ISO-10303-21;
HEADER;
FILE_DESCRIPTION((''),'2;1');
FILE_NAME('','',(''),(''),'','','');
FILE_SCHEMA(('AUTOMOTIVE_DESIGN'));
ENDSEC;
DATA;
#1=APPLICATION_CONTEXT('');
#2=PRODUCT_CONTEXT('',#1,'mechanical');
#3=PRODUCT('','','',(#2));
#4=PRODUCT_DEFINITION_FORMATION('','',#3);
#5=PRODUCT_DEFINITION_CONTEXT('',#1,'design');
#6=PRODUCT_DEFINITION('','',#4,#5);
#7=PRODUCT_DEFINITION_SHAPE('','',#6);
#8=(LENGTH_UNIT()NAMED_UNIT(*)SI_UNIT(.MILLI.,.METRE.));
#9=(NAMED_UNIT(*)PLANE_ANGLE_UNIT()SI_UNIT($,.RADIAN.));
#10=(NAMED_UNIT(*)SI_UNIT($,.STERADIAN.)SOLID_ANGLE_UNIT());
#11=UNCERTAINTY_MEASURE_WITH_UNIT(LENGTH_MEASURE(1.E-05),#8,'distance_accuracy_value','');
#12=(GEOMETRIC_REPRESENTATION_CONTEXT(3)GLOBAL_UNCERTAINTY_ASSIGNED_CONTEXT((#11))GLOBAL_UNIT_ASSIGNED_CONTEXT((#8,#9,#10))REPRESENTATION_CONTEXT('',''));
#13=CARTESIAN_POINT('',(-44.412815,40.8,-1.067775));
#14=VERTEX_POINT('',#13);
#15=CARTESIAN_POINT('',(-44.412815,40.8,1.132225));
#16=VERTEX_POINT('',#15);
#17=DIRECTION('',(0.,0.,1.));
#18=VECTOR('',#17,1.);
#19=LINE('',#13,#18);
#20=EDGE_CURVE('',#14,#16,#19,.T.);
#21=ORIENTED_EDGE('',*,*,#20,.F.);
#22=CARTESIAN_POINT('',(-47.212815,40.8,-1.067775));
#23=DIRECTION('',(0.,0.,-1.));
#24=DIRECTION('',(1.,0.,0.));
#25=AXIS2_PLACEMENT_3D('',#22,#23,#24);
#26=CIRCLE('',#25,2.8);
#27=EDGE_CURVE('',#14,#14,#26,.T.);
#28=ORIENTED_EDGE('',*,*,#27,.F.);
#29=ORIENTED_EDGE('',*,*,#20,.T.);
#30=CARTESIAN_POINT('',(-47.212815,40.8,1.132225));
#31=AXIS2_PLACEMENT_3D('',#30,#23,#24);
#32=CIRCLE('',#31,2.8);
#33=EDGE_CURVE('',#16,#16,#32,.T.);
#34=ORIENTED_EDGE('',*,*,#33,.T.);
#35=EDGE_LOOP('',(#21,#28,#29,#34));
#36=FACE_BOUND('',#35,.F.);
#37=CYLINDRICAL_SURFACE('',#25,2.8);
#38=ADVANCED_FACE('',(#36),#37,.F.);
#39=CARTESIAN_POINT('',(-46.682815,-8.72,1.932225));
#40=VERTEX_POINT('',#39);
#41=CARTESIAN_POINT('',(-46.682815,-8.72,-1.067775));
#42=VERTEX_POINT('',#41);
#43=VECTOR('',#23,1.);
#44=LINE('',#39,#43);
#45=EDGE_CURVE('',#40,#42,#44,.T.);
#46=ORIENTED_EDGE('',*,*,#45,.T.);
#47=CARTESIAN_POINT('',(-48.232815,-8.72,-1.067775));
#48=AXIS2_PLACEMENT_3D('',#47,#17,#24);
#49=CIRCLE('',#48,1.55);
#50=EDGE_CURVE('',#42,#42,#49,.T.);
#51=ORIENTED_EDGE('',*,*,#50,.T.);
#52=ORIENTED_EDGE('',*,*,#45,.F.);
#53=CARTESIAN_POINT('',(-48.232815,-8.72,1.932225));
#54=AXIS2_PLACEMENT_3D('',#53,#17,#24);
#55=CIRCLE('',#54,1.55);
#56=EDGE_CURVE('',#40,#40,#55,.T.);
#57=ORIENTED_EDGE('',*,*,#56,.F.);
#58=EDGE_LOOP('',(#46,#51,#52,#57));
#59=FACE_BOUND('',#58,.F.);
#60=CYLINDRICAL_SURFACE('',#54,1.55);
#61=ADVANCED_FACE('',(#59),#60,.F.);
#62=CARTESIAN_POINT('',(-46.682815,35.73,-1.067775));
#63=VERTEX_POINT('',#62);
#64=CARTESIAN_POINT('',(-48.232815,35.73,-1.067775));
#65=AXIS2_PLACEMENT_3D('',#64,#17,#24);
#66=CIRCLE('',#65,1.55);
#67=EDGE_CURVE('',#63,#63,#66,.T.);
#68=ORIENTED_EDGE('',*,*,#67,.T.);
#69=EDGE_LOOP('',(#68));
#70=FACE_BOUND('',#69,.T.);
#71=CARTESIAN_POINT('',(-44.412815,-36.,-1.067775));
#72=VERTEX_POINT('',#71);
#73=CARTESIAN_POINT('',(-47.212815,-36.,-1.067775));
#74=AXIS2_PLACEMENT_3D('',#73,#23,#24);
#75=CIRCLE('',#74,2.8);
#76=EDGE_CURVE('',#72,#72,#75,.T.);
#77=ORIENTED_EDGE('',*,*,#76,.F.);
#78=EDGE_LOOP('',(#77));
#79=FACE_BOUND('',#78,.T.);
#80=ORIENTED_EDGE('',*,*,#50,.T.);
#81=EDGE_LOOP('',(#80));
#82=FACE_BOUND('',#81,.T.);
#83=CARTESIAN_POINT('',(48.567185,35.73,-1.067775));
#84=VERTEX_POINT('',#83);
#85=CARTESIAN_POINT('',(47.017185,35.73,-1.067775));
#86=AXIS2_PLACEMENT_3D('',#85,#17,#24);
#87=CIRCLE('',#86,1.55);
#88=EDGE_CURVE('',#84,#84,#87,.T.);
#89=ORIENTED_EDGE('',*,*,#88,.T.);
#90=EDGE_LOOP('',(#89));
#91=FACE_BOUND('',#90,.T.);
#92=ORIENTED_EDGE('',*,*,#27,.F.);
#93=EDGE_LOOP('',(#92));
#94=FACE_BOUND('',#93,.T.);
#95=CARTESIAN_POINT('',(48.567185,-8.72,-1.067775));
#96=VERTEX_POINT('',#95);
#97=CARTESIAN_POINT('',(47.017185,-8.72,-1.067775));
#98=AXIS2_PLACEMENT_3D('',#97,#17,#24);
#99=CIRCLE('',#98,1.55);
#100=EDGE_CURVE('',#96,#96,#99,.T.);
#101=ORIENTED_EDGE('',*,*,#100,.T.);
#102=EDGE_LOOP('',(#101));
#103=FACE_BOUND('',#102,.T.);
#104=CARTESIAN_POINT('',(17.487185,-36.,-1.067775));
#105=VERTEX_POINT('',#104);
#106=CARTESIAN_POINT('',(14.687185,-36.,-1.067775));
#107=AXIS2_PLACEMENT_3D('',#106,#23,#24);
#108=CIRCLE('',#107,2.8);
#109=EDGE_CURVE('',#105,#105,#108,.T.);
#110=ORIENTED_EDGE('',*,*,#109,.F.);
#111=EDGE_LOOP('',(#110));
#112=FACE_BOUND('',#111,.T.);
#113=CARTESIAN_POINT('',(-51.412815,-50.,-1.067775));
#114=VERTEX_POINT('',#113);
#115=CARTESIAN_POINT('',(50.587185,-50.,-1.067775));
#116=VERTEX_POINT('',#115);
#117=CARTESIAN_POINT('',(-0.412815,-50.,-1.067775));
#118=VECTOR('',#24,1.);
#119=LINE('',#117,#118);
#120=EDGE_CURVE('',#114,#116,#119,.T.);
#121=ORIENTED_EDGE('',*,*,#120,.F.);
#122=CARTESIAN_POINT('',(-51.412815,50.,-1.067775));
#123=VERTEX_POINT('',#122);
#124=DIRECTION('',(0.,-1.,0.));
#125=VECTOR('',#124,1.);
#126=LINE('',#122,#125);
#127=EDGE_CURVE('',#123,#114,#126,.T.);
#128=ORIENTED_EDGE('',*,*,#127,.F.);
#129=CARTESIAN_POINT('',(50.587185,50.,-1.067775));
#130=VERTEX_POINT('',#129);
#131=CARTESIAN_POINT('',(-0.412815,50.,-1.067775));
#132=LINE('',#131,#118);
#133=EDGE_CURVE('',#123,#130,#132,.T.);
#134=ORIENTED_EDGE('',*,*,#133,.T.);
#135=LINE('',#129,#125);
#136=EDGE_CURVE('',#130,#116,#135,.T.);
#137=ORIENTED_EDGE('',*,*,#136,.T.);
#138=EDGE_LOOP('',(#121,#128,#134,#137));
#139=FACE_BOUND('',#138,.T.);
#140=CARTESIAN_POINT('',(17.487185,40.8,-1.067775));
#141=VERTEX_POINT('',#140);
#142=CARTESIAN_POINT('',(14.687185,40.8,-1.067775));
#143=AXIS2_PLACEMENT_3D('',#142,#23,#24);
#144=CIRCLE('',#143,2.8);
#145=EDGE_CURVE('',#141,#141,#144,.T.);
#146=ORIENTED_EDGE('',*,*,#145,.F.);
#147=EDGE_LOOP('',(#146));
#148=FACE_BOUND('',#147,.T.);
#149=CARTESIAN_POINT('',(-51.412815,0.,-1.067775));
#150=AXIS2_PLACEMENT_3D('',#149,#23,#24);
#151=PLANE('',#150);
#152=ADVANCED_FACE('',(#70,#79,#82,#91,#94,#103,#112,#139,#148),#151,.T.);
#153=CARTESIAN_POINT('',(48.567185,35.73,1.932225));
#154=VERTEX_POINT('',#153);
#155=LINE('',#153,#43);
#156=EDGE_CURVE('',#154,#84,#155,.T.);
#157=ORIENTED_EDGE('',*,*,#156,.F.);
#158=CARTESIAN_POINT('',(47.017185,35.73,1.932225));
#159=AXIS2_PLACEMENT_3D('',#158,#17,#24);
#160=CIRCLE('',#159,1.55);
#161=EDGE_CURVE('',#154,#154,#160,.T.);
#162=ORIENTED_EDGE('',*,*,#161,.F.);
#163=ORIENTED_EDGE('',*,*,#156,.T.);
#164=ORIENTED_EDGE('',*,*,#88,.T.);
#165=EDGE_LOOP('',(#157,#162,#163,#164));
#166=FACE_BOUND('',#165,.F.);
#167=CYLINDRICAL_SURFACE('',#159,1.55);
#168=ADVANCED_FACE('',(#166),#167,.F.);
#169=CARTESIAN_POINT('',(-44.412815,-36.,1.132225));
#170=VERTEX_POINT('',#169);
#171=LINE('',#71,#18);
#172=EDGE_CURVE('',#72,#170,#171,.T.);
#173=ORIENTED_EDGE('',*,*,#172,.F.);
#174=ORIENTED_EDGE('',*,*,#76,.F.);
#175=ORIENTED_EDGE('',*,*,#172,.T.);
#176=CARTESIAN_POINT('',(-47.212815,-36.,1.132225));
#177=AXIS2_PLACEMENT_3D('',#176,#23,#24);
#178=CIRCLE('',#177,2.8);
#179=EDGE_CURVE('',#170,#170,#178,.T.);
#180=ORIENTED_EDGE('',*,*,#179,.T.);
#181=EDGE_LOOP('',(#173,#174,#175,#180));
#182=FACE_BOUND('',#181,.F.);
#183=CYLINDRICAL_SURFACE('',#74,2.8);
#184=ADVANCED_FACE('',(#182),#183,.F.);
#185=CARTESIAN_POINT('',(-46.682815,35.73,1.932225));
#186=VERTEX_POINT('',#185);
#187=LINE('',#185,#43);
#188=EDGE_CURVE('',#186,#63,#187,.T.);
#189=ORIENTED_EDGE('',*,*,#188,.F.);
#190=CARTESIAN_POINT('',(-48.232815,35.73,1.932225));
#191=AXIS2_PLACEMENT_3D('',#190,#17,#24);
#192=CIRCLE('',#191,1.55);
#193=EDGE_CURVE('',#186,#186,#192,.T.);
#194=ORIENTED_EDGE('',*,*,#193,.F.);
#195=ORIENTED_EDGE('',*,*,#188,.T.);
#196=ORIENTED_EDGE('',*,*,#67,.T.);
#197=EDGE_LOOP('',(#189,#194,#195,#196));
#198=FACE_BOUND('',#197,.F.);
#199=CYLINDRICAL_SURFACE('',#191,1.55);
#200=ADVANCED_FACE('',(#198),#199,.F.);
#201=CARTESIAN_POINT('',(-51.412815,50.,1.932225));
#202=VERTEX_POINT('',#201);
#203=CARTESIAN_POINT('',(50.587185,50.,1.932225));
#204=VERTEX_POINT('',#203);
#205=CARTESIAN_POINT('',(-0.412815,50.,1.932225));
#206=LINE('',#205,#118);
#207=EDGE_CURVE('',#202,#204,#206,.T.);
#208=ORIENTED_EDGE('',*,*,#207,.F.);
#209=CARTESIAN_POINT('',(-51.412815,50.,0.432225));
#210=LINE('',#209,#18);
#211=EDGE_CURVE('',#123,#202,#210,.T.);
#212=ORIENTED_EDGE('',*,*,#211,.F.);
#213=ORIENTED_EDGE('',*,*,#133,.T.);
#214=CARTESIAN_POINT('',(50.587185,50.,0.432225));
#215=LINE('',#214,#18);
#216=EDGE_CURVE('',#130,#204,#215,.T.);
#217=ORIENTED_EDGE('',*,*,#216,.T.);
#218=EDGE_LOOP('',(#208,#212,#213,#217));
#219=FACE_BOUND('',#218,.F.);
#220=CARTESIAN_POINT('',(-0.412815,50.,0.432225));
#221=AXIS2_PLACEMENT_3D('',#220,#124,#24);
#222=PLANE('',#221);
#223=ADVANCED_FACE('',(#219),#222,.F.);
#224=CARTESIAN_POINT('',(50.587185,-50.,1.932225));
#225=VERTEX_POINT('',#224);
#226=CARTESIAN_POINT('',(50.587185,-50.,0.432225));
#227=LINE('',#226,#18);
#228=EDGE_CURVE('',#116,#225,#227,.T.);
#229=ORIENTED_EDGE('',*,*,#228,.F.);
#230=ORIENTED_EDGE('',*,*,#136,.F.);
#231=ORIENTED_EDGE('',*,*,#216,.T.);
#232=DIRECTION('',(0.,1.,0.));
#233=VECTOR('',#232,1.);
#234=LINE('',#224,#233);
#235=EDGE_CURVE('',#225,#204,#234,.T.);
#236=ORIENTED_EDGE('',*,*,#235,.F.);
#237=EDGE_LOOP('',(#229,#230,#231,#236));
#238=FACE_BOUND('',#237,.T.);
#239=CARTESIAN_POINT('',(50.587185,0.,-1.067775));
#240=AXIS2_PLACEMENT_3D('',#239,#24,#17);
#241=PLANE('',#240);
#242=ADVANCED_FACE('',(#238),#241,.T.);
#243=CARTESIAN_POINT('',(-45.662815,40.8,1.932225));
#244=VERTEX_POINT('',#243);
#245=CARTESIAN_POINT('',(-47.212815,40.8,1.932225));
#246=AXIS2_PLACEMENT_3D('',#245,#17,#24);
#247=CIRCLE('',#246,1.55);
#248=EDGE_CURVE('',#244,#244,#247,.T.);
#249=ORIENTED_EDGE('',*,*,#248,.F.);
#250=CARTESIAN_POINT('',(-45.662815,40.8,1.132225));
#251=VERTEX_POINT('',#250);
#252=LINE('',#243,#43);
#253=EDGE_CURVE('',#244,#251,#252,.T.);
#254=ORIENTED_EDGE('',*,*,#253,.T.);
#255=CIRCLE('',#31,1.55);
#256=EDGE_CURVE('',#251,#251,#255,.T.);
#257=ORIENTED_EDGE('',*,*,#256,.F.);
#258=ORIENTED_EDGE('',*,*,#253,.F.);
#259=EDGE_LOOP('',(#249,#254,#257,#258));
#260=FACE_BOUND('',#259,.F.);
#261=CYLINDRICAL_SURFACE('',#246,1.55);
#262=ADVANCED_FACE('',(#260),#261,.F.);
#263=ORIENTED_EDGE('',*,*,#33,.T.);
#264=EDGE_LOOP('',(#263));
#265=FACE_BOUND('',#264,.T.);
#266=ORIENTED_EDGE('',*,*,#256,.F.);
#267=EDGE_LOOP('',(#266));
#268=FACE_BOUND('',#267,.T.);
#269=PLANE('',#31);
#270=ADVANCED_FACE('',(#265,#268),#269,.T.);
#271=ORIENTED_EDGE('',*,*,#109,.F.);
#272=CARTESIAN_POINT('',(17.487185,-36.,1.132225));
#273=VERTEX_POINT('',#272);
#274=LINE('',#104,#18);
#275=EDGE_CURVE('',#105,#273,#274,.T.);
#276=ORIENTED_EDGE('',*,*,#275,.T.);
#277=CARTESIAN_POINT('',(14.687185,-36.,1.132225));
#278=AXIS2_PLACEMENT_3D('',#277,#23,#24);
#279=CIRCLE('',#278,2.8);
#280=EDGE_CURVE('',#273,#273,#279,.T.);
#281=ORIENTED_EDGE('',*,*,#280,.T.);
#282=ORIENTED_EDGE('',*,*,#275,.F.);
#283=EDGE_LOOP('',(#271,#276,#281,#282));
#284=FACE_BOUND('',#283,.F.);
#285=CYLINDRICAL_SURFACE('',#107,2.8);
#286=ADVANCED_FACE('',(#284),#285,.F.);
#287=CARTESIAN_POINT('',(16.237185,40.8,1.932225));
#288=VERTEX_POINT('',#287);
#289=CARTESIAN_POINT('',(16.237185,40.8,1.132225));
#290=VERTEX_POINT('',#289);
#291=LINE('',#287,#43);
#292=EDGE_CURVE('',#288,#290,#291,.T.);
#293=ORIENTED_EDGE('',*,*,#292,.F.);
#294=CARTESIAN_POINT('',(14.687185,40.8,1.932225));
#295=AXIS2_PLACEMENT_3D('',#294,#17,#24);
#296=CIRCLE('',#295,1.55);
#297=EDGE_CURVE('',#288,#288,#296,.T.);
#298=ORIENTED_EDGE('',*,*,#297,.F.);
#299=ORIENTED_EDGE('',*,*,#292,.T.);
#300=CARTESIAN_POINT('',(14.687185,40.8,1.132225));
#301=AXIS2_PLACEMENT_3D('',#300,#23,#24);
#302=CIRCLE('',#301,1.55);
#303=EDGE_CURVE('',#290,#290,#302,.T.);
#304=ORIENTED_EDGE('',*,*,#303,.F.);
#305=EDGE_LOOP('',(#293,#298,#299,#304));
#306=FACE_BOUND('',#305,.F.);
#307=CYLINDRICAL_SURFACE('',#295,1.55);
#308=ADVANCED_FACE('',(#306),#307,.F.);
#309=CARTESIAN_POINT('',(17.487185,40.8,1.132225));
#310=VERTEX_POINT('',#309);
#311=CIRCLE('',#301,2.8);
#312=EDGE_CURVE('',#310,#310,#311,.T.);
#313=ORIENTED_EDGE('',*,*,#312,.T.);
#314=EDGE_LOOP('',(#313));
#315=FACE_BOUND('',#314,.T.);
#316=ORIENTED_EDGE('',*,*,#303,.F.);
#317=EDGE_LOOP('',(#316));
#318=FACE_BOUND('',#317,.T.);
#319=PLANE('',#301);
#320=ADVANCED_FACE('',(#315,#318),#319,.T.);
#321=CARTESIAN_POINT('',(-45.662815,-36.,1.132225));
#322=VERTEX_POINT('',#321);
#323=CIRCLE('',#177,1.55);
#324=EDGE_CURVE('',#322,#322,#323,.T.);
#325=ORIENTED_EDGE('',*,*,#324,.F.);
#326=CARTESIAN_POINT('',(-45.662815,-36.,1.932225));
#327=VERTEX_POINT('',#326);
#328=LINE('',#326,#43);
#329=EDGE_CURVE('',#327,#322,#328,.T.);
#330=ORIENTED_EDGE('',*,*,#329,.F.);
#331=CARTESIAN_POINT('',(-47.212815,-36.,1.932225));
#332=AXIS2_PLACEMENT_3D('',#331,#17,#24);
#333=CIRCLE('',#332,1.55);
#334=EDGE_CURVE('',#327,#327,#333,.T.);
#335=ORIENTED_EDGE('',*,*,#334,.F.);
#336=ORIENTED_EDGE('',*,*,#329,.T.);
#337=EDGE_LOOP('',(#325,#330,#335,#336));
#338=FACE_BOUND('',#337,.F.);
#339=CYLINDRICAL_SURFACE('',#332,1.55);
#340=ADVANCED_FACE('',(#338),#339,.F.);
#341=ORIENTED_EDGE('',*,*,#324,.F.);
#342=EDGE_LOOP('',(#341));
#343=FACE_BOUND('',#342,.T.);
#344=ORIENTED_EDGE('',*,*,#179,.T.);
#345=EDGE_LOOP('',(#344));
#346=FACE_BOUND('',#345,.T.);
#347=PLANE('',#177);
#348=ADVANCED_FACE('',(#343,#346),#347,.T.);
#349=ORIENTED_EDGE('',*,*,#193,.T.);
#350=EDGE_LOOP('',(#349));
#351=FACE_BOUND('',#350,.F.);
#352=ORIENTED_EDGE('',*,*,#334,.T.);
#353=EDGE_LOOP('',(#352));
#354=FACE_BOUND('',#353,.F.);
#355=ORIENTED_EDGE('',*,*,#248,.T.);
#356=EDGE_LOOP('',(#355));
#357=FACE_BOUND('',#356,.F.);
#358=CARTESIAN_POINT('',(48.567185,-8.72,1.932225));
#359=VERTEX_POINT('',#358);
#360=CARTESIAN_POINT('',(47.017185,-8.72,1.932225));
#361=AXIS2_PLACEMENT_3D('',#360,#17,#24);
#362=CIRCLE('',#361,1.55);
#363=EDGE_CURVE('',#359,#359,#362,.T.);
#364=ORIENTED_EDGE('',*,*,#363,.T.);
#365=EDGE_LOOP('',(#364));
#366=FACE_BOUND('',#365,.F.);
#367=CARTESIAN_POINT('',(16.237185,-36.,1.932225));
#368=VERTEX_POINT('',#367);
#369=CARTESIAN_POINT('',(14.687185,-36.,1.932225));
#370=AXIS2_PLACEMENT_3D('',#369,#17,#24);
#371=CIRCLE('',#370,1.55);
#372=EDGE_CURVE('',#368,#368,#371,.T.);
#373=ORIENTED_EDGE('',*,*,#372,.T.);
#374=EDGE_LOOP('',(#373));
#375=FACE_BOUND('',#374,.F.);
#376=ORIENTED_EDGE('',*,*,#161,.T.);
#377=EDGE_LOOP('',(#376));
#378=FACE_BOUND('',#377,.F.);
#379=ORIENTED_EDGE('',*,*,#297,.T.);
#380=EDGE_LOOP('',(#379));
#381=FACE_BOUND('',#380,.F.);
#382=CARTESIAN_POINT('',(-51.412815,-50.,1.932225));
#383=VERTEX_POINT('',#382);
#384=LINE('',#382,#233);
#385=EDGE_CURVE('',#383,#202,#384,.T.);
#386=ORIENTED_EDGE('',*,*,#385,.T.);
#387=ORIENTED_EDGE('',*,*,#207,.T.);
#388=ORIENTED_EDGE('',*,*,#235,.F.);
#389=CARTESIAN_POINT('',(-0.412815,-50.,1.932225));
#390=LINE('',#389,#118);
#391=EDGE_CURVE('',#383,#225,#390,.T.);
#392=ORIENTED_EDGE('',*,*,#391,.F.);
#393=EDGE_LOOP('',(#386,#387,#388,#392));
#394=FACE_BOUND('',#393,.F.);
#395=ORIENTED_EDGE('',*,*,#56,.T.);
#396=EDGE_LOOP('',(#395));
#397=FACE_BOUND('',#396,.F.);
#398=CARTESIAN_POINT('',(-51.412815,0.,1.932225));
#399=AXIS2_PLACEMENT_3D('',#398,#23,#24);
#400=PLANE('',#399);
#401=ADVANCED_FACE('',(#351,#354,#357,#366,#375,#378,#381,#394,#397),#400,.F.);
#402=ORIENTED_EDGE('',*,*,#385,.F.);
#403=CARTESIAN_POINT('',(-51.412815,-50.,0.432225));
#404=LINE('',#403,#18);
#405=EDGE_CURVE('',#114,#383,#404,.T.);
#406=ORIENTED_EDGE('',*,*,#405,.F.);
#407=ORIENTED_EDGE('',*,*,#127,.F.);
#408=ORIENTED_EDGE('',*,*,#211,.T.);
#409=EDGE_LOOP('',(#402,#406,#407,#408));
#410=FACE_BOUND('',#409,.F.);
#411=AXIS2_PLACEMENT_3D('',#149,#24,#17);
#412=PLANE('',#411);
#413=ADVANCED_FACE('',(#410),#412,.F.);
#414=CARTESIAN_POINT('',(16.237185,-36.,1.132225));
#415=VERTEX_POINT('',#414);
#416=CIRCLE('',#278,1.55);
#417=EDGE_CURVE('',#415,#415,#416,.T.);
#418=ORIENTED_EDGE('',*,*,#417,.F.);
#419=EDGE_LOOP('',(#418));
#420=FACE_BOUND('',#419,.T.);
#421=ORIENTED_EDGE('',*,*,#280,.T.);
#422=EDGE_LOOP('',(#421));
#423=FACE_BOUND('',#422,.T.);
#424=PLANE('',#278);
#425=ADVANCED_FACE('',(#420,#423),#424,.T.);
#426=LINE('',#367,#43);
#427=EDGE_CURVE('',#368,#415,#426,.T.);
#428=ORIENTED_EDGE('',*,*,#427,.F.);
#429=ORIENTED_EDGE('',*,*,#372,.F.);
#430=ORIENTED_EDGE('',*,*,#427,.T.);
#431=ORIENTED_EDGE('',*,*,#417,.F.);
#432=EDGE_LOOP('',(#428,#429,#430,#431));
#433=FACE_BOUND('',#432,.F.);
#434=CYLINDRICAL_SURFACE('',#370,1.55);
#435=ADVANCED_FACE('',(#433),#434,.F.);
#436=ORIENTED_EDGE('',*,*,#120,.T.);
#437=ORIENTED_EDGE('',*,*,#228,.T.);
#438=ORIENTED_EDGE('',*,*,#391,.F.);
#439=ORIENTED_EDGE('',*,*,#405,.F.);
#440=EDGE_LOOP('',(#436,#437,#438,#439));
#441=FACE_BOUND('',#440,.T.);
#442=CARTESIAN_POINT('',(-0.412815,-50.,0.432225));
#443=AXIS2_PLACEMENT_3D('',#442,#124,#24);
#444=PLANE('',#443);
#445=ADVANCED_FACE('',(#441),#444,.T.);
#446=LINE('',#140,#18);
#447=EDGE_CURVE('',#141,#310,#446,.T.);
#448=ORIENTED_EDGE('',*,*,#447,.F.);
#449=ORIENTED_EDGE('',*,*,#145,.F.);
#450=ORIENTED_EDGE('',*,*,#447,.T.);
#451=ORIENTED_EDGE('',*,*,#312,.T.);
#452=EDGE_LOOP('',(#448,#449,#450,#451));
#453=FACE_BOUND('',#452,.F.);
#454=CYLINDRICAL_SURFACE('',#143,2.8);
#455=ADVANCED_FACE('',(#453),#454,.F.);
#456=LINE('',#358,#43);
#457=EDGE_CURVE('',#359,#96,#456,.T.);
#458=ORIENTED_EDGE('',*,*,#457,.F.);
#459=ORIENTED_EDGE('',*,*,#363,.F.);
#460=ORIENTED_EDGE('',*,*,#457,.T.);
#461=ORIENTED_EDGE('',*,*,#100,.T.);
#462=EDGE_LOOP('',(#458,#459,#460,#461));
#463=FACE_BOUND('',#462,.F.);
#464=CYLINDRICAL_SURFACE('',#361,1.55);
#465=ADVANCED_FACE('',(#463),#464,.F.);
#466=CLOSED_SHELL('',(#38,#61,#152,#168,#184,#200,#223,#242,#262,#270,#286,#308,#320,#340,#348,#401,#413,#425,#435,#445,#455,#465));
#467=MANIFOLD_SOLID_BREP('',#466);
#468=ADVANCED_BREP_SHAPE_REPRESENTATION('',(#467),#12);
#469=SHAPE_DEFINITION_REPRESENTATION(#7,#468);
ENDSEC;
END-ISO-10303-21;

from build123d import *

# Parameters (mm, degrees)
F0_W     = 102
F0_H     = 3
F1_DEPTH = 50
F2_R     = 1.55
F3_DEPTH = 3
F4_R     = 2.8
F4_R_2   = 1.55
F5_DEPTH = 2.2


with BuildPart() as f1:
    # F0 (on Front) → F1 (new body, symmetric)
    with BuildSketch(Plane.XZ):
        with Locations((-0.412815, 0.432225)):
            Rectangle(F0_W, F0_H)
    extrude(amount=F1_DEPTH, both=True)

    # F2 (on face) → F3 (cut, through all)
    with BuildSketch(Plane.XY.offset(1.932225)):
        with Locations((-47.212815, 40.8)):
            Circle(F2_R)
        with Locations((14.687185, 40.8)):
            Circle(F2_R)
        with Locations((14.687185, -36)):
            Circle(F2_R)
        with Locations((-47.212815, -36)):
            Circle(F2_R)
        with Locations((-48.232815, 35.73)):
            Circle(F2_R)
        with Locations((-48.232815, -8.72)):
            Circle(F2_R)
        with Locations((47.017185, -8.72)):
            Circle(F2_R)
        with Locations((47.017185, 35.73)):
            Circle(F2_R)
    extrude(amount=-F3_DEPTH, mode=Mode.SUBTRACT)

    # F4 (on face) → F5 (cut)
    with BuildSketch(Plane(origin=(0, 0, -1.067775), x_dir=(1, 0, 0), z_dir=(0, 0, -1))):
        with Locations((-47.212815, 36)):
            Circle(F4_R)
        with Locations((-47.212815, 36)):
            Circle(F4_R_2, mode=Mode.SUBTRACT)
        with Locations((14.687185, 36)):
            Circle(F4_R)
        with Locations((14.687185, 36)):
            Circle(F4_R_2, mode=Mode.SUBTRACT)
        with Locations((-47.212815, -40.8)):
            Circle(F4_R)
        with Locations((-47.212815, -40.8)):
            Circle(F4_R_2, mode=Mode.SUBTRACT)
        with Locations((14.687185, -40.8)):
            Circle(F4_R)
        with Locations((14.687185, -40.8)):
            Circle(F4_R_2, mode=Mode.SUBTRACT)
    extrude(amount=-F5_DEPTH, mode=Mode.SUBTRACT)


solid = f1.part
